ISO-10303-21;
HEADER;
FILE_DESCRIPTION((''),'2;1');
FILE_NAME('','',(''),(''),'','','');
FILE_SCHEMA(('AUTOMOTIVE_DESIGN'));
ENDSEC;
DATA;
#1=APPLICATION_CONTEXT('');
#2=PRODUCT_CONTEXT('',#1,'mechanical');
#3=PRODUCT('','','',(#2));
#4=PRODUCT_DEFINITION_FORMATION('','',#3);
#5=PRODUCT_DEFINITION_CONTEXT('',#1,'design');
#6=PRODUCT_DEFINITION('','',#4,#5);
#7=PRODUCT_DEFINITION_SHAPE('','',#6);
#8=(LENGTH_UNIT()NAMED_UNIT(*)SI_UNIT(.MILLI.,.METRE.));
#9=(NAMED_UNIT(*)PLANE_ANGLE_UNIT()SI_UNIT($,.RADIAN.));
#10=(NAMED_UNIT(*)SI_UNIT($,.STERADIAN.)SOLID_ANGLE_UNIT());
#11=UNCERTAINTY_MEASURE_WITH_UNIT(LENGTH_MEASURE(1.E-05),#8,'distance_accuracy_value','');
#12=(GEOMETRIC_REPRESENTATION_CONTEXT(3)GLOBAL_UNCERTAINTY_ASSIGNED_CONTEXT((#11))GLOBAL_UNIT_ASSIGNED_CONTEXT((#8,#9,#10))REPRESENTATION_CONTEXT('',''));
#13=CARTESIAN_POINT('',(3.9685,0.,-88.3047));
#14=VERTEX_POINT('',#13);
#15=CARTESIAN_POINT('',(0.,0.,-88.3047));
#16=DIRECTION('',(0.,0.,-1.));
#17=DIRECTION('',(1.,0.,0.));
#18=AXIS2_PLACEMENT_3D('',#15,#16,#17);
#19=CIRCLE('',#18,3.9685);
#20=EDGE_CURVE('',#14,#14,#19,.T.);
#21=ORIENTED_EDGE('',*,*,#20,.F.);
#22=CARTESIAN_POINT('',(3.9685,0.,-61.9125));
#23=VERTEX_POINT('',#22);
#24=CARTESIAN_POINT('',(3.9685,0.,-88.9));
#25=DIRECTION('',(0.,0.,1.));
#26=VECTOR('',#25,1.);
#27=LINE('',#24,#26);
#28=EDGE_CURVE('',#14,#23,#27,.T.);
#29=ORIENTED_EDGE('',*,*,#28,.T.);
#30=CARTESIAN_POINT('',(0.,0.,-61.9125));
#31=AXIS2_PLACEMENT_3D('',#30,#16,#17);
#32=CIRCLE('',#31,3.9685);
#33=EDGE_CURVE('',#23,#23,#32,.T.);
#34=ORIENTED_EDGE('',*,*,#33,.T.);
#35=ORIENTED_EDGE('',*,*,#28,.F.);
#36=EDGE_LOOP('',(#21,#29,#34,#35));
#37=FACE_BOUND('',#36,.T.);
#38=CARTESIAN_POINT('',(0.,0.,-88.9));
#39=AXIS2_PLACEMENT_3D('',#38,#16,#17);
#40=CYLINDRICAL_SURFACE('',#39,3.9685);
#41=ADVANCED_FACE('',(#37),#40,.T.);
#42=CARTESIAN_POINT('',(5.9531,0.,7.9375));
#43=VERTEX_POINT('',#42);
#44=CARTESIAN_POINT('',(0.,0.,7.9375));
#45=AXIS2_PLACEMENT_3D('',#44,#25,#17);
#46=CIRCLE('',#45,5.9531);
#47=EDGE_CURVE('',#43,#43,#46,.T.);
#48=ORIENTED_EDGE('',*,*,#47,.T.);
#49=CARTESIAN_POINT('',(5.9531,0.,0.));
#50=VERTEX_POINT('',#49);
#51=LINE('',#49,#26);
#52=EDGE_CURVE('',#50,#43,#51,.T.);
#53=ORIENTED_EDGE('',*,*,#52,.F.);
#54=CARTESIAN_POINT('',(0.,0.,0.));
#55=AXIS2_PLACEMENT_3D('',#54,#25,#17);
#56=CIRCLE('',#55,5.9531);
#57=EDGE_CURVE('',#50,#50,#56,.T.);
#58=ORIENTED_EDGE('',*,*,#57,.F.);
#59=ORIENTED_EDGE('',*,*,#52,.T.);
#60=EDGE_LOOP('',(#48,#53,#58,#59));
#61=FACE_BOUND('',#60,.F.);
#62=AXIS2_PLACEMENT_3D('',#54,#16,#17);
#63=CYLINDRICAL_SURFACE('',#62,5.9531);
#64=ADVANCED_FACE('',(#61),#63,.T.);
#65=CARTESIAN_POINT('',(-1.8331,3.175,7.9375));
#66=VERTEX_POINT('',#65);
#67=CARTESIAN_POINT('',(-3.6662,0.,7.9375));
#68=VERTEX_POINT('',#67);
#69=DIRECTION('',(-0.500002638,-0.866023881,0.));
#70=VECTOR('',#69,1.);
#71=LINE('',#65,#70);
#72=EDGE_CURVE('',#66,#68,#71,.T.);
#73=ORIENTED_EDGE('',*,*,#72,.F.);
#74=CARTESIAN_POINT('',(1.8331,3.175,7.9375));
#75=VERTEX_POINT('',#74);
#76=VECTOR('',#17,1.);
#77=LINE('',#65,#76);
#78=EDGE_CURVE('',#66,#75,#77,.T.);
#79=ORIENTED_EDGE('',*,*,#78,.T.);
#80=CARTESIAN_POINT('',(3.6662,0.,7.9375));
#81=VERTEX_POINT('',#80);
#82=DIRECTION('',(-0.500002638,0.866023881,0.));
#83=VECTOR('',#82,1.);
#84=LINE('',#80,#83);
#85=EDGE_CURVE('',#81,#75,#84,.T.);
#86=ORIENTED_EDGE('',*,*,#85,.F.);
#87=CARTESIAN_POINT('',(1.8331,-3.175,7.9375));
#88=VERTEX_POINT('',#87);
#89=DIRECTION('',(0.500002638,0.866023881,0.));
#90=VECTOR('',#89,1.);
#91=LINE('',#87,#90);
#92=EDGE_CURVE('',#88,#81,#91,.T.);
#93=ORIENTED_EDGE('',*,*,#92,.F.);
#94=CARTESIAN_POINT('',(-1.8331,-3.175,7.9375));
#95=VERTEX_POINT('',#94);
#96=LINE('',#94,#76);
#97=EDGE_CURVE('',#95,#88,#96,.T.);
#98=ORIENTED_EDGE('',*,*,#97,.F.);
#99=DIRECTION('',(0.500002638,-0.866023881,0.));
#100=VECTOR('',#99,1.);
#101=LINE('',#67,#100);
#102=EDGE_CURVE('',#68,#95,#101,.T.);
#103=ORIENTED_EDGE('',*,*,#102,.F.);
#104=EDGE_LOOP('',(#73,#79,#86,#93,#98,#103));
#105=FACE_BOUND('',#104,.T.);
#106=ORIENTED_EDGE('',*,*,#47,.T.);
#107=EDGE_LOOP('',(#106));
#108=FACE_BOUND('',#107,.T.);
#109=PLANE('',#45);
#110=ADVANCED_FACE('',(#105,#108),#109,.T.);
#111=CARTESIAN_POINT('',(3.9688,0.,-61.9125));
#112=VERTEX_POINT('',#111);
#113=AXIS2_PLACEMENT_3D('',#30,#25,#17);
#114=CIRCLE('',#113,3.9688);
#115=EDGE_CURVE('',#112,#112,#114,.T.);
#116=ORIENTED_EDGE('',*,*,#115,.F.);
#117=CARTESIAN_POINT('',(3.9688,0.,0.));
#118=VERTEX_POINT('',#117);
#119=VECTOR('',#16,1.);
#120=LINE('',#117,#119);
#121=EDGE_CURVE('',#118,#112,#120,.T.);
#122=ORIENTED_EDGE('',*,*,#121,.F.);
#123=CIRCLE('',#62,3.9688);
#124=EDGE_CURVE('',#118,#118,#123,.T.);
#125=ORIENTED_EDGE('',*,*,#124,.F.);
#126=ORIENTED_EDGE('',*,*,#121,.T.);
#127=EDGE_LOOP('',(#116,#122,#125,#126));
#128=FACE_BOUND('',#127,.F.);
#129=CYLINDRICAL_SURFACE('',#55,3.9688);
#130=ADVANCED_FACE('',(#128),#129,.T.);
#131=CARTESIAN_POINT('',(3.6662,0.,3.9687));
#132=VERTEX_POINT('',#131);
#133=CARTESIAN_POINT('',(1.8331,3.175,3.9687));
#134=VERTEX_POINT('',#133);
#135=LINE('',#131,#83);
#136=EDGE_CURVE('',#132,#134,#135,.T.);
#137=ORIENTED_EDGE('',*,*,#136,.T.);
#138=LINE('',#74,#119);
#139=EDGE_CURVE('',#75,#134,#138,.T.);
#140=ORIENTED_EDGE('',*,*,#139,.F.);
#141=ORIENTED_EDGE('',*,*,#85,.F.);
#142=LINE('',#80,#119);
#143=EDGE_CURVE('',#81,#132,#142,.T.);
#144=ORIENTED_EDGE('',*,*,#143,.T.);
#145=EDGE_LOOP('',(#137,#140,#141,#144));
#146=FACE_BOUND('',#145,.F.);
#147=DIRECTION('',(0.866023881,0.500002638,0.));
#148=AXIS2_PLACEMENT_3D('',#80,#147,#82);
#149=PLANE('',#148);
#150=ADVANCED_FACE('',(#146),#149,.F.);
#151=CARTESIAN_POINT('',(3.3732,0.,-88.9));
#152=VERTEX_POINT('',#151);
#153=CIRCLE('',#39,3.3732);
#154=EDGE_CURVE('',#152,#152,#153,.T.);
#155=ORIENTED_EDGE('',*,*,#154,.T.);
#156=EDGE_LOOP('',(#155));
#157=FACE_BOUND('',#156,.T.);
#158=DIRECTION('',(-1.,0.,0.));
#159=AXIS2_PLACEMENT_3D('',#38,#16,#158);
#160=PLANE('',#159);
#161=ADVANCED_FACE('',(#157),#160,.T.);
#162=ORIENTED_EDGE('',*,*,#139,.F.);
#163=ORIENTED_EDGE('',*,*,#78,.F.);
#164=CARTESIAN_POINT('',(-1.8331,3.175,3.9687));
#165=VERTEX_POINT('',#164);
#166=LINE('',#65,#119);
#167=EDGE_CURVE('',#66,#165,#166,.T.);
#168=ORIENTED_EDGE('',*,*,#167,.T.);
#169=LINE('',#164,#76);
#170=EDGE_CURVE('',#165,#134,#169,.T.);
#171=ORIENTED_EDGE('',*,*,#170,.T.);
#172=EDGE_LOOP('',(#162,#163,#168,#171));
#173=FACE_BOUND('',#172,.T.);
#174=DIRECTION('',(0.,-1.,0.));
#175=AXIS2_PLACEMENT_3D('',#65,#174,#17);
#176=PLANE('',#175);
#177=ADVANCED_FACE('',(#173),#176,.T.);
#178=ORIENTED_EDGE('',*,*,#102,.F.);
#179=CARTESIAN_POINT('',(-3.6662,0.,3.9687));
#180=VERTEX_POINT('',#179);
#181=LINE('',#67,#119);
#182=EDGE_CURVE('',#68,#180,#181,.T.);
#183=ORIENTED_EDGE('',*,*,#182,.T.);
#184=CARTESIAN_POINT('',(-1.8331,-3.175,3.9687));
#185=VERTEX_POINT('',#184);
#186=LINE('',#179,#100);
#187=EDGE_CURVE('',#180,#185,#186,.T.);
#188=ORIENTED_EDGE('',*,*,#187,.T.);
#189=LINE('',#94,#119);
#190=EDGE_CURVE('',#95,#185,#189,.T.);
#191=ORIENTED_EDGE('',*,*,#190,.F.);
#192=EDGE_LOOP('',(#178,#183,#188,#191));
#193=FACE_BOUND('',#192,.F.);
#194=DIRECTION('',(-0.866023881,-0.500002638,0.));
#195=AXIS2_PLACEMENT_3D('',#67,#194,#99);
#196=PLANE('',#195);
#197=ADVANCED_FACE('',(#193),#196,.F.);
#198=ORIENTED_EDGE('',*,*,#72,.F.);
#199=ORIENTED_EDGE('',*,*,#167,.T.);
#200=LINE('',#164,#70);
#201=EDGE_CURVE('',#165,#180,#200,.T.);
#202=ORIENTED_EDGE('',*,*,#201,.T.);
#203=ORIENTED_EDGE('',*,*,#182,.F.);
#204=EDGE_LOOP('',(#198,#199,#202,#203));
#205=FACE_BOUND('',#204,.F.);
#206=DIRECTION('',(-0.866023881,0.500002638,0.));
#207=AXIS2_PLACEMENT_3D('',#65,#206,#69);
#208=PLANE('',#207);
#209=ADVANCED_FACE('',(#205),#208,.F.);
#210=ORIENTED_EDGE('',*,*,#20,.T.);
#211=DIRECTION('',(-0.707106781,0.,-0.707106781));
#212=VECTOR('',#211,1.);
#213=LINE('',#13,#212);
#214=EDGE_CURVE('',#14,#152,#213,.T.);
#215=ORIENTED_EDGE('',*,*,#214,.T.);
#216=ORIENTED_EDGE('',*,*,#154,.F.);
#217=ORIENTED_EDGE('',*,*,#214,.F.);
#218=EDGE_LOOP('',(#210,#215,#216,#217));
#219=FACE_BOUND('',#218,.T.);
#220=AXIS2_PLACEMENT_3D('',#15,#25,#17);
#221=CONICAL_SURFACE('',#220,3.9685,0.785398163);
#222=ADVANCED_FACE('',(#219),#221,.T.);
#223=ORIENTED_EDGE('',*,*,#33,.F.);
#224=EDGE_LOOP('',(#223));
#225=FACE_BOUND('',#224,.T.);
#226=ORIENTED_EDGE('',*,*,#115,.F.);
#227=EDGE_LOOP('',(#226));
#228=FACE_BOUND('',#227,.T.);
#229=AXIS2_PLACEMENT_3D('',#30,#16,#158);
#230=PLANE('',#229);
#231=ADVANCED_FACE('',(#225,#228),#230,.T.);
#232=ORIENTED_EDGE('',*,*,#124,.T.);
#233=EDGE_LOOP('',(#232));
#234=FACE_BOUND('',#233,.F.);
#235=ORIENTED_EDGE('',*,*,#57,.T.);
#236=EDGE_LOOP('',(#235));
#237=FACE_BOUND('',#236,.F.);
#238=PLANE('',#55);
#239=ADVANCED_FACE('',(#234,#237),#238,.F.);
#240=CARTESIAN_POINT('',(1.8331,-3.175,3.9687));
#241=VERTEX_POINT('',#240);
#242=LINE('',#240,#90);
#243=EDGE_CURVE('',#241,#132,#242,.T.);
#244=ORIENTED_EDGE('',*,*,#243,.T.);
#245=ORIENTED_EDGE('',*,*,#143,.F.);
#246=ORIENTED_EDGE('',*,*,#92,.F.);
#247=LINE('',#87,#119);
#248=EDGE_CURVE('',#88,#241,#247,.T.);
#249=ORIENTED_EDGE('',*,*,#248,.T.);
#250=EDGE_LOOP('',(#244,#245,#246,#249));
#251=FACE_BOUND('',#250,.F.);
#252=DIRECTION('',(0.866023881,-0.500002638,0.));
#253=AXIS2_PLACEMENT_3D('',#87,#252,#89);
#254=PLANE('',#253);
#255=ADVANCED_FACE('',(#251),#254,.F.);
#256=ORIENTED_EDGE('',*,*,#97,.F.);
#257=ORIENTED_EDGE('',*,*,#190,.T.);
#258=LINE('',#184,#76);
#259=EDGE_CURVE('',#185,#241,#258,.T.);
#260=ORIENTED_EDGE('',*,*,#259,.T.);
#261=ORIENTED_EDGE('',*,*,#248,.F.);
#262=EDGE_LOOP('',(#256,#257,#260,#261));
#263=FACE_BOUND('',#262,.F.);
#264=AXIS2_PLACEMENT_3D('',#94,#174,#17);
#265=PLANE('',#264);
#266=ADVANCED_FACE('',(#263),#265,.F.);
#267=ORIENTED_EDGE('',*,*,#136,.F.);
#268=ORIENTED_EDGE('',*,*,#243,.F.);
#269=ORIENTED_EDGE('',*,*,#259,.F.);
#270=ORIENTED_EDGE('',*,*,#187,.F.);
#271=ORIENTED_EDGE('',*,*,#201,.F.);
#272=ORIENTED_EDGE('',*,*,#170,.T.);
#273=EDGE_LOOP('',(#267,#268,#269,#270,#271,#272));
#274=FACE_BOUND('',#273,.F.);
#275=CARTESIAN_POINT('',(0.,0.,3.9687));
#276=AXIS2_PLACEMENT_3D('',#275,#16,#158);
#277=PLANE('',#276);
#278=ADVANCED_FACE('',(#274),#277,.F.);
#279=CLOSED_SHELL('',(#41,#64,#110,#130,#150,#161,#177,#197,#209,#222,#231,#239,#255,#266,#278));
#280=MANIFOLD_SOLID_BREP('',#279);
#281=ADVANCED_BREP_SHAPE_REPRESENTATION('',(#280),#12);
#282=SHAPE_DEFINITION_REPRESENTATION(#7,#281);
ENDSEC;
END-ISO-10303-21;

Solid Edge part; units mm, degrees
sketch "Sketch1" plane through (0, 0, 0) normal (0, 0, 1) x (1, 0, 0)
  circle A0 centre (0, 0) radius 5.9531
  dimension "D1" = 11.9062
extrude "Protrusion1" add sketch "Sketch1" along normal blind 7.9375
sketch "Sketch2" plane through (0, 0, 0) normal (0, 0, -1) x (1, 0, 0)
  circle A0 centre (0, 0) radius 3.9688
extrude "Protrusion2" add sketch "Sketch2" along normal blind 88.9
sketch "Sketch3" plane through (0, 0, -88.9) normal (0, 0, -1) x (1, 0, 0)
  circle A0 centre (0, 0) radius 3.9685
extrude "Cutout1" cut sketch "Sketch3" against normal blind 26.9875 flip side to cut
chamfer "Chamfer_1" distance 0.5953 angle 45 1 edges at (-3.9685, 0, -88.9)
sketch "Sketch4" plane through (0, 0, 7.9375) normal (0, 0, 1) x (1, 0, 0)
  line L0 (-1.8331, 3.175) -> (1.8331, 3.175)
  line L1 (3.6662, 0) -> (1.8331, 3.175)
  line L2 (1.8331, -3.175) -> (3.6662, 0)
  line L3 (-1.8331, -3.175) -> (1.8331, -3.175)
  line L4 (-3.6662, 0) -> (-1.8331, -3.175)
  line L5 (-1.8331, 3.175) -> (-3.6662, 0)
  dimension "D1" = 6.35
extrude "Cutout2" cut sketch "Sketch4" against normal blind 3.9688
properties part number "24102205"
